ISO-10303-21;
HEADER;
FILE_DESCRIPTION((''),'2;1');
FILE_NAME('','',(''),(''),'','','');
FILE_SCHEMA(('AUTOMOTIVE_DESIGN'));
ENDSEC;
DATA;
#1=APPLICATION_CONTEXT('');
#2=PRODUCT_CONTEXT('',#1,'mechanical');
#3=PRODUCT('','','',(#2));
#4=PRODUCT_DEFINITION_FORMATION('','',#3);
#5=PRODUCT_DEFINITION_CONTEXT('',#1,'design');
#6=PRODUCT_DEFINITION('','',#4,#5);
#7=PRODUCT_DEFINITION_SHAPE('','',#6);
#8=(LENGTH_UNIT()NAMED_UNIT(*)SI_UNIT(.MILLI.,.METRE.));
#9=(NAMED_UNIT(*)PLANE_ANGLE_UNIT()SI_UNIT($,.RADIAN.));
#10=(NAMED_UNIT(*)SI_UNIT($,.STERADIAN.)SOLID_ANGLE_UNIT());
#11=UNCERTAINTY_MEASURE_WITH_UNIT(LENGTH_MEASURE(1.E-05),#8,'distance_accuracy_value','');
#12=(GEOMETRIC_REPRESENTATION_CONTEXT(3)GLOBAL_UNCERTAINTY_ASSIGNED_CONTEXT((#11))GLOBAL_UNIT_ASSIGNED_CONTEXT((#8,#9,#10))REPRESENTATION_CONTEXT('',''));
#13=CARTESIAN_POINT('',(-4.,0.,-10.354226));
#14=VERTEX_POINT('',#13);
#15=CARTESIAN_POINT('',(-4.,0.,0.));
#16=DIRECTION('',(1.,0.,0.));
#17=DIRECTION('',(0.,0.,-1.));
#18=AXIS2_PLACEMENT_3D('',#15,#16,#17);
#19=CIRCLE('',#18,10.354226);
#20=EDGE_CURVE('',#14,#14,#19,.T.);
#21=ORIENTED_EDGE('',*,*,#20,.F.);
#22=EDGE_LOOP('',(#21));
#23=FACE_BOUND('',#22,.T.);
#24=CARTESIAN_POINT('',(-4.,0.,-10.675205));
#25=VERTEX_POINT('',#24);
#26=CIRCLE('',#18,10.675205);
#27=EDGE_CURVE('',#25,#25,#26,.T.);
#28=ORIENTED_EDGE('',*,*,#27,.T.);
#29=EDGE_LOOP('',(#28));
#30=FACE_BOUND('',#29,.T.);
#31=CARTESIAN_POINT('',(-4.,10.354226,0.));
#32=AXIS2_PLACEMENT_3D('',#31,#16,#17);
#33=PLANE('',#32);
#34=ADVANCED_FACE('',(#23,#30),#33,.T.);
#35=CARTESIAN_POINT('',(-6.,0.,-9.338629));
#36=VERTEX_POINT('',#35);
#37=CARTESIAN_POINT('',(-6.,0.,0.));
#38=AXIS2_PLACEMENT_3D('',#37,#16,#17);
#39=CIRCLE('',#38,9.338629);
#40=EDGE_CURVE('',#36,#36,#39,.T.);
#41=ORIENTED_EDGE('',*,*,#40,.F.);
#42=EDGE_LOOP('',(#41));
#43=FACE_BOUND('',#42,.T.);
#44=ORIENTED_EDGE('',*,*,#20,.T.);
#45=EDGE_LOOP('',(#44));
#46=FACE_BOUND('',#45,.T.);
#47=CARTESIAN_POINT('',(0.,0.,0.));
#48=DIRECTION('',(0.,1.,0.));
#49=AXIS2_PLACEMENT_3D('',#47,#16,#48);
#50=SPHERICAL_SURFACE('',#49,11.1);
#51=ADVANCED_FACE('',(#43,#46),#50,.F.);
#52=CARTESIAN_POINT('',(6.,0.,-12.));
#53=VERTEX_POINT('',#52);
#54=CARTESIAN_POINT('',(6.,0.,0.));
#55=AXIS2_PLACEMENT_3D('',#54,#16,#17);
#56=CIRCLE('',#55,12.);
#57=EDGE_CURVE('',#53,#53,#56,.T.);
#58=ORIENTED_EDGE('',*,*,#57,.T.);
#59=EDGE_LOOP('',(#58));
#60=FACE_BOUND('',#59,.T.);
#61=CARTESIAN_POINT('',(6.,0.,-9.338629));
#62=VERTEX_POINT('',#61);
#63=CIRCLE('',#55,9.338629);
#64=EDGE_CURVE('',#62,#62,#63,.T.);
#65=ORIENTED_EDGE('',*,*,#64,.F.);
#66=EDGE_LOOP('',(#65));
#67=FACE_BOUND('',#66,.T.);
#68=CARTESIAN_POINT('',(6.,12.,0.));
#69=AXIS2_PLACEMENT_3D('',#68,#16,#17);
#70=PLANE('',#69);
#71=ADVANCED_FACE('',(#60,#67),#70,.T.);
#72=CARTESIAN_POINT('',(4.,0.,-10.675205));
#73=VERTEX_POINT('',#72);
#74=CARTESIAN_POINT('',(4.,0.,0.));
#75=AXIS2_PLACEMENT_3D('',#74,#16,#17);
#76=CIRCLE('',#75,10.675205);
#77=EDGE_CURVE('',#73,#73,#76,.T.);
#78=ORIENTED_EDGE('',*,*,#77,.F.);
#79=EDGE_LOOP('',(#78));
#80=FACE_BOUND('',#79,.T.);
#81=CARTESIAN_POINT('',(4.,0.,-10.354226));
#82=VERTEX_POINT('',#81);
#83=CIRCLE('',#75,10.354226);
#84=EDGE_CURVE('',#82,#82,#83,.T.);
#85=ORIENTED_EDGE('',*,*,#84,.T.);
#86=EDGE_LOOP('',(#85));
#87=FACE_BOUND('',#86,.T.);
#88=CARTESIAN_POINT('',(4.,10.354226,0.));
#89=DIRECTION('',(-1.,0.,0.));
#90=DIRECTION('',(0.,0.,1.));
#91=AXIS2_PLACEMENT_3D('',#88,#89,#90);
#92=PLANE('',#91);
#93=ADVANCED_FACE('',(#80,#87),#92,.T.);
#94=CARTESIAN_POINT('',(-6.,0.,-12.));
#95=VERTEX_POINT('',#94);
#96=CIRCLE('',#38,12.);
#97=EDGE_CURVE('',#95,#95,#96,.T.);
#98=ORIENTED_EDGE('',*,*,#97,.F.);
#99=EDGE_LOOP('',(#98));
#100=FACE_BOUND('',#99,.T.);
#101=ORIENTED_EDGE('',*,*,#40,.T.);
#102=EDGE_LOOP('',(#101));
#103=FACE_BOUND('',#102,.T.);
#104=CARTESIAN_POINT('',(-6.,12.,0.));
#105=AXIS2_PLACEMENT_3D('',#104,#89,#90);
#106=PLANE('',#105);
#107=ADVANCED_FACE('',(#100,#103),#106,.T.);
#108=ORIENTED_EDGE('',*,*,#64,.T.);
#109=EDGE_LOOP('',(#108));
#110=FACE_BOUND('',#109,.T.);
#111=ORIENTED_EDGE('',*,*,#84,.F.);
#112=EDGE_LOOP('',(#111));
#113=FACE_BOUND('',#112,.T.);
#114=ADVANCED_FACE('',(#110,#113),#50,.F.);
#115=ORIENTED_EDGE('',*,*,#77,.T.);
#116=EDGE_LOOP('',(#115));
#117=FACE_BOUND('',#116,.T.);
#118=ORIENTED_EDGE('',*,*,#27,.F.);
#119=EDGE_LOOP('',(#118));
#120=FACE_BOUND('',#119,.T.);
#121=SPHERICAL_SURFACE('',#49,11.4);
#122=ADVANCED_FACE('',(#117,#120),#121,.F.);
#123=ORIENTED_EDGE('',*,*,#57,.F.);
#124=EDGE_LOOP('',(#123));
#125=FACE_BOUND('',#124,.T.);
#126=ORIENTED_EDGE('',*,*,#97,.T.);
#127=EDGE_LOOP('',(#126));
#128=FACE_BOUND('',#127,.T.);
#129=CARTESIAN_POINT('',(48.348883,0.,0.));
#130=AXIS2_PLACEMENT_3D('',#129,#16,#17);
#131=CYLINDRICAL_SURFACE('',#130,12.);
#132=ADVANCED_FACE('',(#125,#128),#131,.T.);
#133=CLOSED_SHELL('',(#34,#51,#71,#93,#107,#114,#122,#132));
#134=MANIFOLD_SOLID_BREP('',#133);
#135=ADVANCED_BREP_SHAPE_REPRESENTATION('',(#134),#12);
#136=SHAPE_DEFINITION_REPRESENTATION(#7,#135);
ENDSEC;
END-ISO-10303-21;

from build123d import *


with BuildPart() as part:
    # Sketch1 → Revolve1 (revolve)
    with BuildSketch(Plane.XY):
        with BuildLine():
            Line((6, 12), (-6, 12))
            Line((-6, 12), (-6, 9.33862945))
            ThreePointArc((-6, 9.33862945), (-5.025719768, 9.897077388), (-4, 10.35422619))
            Line((-4, 10.35422619), (-4, 10.675204916))
            ThreePointArc((-4, 10.675204916), (0, 11.4), (4, 10.675204916))
            Line((4, 10.675204916), (4, 10.35422619))
            ThreePointArc((4, 10.35422619), (5.025719768, 9.897077388), (6, 9.33862945))
            Line((6, 9.33862945), (6, 12))
        make_face()
    revolve(axis=Axis((48.348883339, 0, 0), (-1, 0, 0)))


solid = part.part
